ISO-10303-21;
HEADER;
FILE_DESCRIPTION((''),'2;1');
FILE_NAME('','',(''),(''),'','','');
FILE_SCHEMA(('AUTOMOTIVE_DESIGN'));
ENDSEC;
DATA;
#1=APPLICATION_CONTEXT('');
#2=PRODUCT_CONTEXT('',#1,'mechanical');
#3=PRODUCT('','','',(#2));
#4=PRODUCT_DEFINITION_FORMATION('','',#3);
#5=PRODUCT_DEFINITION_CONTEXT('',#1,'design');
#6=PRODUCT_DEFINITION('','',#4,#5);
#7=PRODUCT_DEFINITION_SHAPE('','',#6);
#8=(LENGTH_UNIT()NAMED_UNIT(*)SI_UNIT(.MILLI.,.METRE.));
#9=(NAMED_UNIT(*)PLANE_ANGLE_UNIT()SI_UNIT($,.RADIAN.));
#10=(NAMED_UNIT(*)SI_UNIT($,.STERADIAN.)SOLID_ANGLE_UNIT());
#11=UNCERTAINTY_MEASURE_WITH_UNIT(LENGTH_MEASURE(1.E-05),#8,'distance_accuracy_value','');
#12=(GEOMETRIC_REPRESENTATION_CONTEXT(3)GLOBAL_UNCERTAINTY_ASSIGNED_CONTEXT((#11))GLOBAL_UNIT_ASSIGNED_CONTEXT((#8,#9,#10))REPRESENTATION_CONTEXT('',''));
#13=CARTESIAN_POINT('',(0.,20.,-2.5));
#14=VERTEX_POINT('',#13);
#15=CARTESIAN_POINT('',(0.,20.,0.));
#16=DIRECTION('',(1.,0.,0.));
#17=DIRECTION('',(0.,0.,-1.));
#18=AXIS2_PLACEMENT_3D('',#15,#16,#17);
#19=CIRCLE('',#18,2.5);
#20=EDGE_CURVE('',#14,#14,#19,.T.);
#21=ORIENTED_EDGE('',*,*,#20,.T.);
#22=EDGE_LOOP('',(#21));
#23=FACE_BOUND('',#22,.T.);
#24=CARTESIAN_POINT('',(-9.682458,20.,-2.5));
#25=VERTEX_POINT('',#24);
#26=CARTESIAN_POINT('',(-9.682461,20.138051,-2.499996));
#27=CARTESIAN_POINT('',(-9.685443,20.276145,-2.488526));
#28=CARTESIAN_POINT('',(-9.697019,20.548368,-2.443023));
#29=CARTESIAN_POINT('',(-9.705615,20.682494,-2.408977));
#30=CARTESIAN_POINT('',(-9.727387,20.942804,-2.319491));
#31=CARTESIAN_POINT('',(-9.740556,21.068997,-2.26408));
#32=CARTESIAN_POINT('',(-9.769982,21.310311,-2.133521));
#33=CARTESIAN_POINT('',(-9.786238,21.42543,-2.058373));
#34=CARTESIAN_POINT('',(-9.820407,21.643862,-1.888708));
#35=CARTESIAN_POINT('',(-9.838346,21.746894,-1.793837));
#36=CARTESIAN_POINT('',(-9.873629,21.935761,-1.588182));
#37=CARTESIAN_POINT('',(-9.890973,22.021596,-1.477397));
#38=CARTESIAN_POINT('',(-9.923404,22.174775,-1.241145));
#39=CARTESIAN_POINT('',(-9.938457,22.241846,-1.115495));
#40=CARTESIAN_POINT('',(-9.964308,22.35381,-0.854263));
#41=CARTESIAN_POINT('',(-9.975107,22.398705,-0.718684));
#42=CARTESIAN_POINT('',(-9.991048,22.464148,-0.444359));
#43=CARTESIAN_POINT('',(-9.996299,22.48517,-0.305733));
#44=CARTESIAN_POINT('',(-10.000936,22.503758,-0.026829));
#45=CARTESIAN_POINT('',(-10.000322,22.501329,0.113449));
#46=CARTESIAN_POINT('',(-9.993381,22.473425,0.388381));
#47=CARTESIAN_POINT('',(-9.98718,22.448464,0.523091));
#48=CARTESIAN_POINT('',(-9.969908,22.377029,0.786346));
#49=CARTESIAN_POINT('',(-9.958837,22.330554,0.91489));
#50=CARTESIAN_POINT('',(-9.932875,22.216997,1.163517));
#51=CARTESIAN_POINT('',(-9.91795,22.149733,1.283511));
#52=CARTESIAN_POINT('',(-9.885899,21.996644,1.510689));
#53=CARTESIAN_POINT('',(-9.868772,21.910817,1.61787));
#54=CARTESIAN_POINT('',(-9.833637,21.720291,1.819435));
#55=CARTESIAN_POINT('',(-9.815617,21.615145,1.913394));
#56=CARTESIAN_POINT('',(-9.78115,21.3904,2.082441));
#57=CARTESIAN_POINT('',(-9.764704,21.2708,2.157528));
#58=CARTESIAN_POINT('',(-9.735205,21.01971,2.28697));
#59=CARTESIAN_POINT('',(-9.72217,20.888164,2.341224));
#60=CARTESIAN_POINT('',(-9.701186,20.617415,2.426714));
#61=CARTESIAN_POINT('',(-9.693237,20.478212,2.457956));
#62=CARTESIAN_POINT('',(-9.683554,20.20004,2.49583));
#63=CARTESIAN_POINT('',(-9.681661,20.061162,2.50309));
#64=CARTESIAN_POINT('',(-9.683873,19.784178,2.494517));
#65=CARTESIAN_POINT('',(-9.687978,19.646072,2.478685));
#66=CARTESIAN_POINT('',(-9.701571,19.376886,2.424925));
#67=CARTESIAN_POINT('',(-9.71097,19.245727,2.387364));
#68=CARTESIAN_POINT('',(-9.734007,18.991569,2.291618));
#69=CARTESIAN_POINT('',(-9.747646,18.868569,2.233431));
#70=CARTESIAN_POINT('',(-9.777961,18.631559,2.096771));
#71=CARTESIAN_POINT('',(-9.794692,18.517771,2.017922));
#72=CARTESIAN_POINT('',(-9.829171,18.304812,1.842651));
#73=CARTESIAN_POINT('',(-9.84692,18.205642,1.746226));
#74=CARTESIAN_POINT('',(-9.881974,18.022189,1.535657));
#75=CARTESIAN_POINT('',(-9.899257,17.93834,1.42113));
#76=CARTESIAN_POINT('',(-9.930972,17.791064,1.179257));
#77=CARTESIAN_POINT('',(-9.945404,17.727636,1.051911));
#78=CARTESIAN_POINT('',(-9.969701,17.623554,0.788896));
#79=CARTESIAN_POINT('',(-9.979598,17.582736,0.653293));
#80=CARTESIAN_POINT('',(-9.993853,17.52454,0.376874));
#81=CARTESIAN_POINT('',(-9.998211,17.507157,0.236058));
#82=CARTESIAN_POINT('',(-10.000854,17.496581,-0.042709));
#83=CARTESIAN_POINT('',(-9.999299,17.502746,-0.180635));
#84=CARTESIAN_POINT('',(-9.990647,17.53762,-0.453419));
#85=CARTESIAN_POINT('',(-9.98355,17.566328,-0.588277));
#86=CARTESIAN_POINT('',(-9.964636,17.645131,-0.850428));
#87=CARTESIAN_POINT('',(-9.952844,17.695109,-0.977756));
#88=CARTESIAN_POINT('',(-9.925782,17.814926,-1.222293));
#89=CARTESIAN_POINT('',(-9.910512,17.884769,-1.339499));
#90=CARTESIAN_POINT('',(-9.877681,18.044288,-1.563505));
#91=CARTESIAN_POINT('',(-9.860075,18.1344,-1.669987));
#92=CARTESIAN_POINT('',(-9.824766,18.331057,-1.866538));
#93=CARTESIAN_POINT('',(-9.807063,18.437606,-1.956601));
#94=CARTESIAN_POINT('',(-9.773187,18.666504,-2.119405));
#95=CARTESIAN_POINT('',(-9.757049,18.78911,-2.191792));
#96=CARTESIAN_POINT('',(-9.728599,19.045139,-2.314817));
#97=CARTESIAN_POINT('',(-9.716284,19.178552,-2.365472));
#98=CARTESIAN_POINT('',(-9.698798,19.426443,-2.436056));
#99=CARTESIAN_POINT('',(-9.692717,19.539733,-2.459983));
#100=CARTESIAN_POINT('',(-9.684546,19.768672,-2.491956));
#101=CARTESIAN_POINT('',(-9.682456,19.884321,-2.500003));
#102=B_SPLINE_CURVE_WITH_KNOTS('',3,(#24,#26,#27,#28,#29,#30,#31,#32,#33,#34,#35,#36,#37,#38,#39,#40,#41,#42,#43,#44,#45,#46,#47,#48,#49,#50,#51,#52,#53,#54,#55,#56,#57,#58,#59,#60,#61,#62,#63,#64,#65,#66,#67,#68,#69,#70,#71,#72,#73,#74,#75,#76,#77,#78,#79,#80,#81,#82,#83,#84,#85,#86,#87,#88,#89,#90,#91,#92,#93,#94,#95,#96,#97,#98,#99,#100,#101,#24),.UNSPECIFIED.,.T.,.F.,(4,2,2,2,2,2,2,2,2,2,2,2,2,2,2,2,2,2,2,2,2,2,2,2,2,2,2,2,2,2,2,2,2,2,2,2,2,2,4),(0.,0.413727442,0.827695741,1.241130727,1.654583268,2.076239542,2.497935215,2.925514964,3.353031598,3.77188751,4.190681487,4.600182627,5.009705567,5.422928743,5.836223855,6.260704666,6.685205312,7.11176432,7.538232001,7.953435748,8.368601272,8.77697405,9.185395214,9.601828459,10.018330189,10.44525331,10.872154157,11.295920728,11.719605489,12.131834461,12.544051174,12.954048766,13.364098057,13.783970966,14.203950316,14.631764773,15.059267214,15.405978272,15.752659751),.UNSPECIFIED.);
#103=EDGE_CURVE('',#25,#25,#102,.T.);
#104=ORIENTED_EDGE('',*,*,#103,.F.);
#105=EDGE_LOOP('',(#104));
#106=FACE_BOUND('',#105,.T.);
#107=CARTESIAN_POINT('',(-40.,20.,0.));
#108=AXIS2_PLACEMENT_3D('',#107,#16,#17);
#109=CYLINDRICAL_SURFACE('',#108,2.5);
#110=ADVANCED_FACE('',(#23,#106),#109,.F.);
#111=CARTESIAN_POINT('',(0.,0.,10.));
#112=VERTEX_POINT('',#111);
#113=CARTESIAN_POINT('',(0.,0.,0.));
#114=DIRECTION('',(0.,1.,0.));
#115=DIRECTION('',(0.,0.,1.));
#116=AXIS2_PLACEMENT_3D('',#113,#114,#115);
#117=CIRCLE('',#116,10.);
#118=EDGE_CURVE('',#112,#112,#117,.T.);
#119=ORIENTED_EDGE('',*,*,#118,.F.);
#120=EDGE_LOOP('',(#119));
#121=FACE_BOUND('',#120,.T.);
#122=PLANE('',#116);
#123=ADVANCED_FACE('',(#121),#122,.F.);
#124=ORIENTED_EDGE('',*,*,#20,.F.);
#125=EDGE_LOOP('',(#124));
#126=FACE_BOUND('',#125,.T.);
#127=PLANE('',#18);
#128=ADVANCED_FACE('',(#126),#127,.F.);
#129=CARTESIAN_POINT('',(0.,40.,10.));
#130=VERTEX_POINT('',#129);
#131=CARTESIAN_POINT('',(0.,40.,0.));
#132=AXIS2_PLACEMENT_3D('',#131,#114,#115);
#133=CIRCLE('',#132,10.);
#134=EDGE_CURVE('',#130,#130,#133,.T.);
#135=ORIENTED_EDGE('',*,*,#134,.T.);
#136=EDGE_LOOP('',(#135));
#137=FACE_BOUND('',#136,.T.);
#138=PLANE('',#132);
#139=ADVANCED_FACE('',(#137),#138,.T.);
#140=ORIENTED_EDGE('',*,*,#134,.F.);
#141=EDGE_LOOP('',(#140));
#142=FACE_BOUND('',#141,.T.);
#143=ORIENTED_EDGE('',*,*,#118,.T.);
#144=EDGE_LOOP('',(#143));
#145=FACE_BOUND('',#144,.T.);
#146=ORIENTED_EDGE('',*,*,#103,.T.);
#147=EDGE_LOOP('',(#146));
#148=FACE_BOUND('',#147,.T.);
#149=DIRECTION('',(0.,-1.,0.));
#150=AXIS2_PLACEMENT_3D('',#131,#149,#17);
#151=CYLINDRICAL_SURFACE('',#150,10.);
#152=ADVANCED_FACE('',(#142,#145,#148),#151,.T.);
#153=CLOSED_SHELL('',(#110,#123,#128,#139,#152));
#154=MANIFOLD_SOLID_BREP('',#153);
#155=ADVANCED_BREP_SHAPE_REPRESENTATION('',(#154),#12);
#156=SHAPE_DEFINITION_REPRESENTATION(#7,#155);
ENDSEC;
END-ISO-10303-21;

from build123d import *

# Parameters (mm, degrees)
SKETCH_2_R          = 10
EXTRUDE_1_DEPTH     = 40
SKETCH_3_R          = 2.5
CUT_EXTRUDE_1_DEPTH = 40


with BuildPart() as part:
    # 草图2 → 凸台-拉伸1 (new body)
    with BuildSketch(Plane(origin=(0, 0, 0), x_dir=(1, 0, 0), z_dir=(0, 1, 0))):
        with Locations(Location((0, 0, 0), (0, 0, 270))):
            Circle(SKETCH_2_R)
    extrude(amount=EXTRUDE_1_DEPTH)

    # 草图3 → 切除-拉伸1 (cut)
    with BuildSketch(Plane(origin=(0, 0, 0), x_dir=(0, 0, -1), z_dir=(1, 0, 0))):
        with Locations((0, 20)):
            Circle(SKETCH_3_R)
    extrude(amount=-CUT_EXTRUDE_1_DEPTH, mode=Mode.SUBTRACT)


solid = part.part
